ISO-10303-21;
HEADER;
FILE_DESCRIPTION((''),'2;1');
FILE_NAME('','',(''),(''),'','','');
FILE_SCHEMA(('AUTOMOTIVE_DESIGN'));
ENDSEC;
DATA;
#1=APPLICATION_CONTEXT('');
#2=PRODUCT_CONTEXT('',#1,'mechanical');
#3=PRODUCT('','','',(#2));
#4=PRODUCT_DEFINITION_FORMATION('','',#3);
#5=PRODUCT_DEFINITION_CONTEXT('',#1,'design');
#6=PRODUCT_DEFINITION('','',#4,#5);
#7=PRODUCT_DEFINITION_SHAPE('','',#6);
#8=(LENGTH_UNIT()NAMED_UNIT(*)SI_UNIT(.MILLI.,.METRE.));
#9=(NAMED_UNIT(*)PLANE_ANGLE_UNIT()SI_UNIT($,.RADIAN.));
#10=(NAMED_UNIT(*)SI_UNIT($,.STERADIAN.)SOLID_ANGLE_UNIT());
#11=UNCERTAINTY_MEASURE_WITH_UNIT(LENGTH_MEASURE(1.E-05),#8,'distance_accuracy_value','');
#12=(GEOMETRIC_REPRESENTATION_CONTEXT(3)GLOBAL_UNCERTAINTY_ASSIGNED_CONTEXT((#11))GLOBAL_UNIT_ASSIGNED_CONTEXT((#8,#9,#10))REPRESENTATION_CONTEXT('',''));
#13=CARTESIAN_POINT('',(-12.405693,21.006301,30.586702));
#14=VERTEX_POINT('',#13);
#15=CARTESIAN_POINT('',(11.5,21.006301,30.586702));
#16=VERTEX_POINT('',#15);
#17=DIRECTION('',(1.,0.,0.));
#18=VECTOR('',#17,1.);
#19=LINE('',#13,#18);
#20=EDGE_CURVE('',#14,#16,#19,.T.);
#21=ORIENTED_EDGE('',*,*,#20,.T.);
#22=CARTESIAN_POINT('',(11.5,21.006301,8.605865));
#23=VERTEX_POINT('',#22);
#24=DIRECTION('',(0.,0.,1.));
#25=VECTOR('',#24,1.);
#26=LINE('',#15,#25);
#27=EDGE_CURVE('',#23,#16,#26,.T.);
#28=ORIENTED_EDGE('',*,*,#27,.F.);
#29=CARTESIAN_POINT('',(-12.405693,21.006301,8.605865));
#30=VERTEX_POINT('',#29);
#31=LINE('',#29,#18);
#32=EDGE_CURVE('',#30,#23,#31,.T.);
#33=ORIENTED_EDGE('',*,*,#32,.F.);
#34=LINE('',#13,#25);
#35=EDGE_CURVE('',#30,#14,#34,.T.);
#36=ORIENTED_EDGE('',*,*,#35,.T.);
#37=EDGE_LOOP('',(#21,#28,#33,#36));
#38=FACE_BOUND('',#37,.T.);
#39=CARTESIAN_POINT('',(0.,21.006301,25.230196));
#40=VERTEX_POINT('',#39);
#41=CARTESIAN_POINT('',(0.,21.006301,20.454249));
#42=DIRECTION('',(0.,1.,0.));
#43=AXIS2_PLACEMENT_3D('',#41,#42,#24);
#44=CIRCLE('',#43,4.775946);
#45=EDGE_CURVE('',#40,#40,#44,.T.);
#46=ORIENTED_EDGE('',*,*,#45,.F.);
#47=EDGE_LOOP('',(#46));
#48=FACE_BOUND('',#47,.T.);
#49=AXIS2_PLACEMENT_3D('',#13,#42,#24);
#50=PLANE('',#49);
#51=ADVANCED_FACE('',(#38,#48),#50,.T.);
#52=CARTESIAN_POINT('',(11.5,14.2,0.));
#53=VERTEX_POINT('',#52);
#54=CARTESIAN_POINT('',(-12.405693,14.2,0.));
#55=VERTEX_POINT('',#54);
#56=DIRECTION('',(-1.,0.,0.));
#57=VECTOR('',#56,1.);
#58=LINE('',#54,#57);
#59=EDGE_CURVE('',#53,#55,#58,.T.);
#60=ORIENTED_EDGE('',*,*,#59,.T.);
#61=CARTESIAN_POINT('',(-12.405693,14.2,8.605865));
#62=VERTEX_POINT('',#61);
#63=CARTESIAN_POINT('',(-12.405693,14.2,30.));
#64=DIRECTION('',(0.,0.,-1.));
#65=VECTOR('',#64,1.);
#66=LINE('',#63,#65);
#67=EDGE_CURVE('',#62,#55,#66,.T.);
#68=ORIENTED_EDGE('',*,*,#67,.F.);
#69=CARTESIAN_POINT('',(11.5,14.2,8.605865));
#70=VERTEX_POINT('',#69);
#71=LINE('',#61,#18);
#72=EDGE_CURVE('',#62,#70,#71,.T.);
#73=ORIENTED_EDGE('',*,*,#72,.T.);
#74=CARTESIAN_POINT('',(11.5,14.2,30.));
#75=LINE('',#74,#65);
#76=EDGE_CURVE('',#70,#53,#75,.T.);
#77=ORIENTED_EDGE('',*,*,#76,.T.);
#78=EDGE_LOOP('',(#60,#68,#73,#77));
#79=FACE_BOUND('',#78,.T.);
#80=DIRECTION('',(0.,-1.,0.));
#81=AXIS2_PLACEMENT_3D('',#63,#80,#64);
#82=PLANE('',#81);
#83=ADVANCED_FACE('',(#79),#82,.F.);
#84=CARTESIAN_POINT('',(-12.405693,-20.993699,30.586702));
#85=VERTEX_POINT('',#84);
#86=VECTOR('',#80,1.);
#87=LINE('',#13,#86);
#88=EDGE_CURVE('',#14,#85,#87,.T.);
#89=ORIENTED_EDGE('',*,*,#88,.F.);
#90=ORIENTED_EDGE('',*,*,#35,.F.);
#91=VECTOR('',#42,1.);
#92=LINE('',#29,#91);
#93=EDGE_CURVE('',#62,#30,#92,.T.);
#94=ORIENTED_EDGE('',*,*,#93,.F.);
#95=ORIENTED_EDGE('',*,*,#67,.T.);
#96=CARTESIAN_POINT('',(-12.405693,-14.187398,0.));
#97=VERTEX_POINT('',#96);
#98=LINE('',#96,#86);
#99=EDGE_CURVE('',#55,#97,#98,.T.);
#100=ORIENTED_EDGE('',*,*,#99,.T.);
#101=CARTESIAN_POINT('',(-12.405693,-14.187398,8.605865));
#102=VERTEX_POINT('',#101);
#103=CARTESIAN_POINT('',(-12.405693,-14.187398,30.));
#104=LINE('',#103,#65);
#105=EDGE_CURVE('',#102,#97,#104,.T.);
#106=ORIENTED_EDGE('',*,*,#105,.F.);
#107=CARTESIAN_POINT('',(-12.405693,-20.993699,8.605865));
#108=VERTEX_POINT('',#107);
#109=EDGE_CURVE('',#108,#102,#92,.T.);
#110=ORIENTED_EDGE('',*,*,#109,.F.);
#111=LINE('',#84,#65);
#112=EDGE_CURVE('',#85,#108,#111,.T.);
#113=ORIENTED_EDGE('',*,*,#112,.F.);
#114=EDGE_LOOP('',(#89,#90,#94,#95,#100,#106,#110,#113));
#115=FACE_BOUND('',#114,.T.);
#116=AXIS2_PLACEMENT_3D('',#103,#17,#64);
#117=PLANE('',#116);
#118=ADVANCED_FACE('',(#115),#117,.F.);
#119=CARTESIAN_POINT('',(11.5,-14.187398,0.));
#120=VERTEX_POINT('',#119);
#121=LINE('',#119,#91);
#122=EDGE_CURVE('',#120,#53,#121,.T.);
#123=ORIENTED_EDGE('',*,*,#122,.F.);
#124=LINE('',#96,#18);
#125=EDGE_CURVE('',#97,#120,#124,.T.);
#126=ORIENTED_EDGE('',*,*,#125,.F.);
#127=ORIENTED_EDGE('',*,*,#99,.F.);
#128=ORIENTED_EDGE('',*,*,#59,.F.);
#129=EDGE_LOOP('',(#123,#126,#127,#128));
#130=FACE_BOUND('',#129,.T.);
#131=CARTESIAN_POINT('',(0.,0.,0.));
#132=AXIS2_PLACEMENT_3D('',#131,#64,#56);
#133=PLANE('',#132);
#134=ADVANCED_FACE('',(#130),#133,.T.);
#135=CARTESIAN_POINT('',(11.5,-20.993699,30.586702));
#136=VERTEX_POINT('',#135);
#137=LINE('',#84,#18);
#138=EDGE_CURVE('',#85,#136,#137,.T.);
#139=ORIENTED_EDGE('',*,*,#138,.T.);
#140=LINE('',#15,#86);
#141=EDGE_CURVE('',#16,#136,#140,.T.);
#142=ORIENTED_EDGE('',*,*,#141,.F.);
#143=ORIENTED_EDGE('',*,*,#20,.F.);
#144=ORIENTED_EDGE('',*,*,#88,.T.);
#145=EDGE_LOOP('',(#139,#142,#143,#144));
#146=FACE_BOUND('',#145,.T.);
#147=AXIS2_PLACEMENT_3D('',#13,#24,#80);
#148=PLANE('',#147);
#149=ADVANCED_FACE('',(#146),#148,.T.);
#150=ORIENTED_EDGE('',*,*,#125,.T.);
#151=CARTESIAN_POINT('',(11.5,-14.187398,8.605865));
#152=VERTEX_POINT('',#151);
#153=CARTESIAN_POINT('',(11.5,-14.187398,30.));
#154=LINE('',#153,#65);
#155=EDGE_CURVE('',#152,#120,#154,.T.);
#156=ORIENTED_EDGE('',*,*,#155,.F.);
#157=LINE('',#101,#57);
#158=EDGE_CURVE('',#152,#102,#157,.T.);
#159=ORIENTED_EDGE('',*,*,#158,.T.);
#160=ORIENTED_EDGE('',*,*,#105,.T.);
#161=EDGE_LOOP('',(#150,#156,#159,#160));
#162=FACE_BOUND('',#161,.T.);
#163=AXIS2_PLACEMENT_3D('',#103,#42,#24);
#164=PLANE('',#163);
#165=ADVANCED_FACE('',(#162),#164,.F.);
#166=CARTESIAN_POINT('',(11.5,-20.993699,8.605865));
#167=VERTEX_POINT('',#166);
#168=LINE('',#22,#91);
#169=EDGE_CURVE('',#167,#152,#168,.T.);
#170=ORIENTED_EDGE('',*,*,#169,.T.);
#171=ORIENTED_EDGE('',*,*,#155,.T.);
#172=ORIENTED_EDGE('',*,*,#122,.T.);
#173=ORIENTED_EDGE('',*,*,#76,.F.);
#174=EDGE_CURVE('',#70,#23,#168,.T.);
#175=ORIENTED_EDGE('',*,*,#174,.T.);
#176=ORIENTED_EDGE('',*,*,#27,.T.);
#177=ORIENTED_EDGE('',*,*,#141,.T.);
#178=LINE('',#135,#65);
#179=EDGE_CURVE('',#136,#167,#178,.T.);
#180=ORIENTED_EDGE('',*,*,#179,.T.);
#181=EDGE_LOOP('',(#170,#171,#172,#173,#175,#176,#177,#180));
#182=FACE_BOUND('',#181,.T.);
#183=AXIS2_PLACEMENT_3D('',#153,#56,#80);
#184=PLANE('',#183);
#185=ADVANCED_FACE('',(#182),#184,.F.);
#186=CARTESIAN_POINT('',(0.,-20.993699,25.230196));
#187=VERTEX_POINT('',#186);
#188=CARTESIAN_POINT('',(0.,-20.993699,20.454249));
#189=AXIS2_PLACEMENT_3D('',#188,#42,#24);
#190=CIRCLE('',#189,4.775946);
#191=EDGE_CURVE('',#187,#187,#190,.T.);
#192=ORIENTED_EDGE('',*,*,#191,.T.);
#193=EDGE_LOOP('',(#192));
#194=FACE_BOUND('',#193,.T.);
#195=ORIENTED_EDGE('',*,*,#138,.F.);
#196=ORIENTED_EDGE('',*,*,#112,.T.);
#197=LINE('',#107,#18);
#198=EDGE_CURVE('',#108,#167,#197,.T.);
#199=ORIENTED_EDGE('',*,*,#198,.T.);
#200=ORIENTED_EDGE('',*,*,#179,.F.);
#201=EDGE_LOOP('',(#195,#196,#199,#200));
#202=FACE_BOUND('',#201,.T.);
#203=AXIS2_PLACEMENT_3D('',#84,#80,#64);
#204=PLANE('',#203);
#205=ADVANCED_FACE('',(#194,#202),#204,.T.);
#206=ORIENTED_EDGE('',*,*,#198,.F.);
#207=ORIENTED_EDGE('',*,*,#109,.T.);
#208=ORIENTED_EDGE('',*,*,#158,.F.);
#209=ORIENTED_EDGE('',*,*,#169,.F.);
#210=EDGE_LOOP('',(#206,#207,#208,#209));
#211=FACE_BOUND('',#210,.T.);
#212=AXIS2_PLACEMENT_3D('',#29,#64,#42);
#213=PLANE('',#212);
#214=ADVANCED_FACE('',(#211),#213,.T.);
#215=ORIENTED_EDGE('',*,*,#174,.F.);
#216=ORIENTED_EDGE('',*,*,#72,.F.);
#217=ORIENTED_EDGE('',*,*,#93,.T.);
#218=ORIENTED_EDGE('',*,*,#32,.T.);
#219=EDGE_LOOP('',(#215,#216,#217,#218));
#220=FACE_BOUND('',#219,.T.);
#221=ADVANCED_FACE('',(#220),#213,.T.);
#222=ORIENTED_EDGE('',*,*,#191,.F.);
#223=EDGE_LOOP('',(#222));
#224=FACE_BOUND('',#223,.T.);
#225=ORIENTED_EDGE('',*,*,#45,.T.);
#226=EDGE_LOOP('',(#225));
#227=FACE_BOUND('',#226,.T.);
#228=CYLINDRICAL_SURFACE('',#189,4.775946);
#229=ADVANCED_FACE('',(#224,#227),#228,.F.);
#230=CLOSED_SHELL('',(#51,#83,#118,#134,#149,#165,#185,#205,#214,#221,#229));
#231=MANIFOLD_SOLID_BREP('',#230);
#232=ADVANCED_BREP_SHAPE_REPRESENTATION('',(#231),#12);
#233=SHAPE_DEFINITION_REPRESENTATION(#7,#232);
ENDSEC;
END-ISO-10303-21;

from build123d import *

# Parameters (mm, degrees)
SKETCH1_W           = 23.905693463
SKETCH1_H           = 28.387398435
BOSS_EXTRUDE1_DEPTH = 30
SKETCH3_W           = 21.980836904
SKETCH3_H           = 42
BOSS_EXTRUDE2_DEPTH = 23.905693
SKETCH2_R           = 4.775946378
CUT_EXTRUDE1_DEPTH  = 54.417670701


with BuildPart() as part:
    # Sketch1 → Boss-Extrude1 (new body)
    with BuildSketch(Plane.XY):
        with Locations((-0.452846732, 0.006300783)):
            Rectangle(SKETCH1_W, SKETCH1_H)
    extrude(amount=BOSS_EXTRUDE1_DEPTH)

    # Sketch3 → Boss-Extrude2 (add, through all)
    with BuildSketch(Plane(origin=(11.5, 0, 0), x_dir=(0, 0, -1), z_dir=(1, 0, 0))):
        with Locations((-19.596283116, 0.006300783)):
            Rectangle(SKETCH3_W, SKETCH3_H)
    extrude(amount=-BOSS_EXTRUDE2_DEPTH)

    # Sketch2 → Cut-Extrude1 (cut, through all)
    with BuildSketch(Plane(origin=(0, 21.006300783, 0), x_dir=(1, 0, 0), z_dir=(0, 1, 0))):
        with Locations(Location((0, -20.454249212, 0), (0, 0, 270))):
            Circle(SKETCH2_R)
    extrude(amount=-CUT_EXTRUDE1_DEPTH, mode=Mode.SUBTRACT)


solid = part.part
